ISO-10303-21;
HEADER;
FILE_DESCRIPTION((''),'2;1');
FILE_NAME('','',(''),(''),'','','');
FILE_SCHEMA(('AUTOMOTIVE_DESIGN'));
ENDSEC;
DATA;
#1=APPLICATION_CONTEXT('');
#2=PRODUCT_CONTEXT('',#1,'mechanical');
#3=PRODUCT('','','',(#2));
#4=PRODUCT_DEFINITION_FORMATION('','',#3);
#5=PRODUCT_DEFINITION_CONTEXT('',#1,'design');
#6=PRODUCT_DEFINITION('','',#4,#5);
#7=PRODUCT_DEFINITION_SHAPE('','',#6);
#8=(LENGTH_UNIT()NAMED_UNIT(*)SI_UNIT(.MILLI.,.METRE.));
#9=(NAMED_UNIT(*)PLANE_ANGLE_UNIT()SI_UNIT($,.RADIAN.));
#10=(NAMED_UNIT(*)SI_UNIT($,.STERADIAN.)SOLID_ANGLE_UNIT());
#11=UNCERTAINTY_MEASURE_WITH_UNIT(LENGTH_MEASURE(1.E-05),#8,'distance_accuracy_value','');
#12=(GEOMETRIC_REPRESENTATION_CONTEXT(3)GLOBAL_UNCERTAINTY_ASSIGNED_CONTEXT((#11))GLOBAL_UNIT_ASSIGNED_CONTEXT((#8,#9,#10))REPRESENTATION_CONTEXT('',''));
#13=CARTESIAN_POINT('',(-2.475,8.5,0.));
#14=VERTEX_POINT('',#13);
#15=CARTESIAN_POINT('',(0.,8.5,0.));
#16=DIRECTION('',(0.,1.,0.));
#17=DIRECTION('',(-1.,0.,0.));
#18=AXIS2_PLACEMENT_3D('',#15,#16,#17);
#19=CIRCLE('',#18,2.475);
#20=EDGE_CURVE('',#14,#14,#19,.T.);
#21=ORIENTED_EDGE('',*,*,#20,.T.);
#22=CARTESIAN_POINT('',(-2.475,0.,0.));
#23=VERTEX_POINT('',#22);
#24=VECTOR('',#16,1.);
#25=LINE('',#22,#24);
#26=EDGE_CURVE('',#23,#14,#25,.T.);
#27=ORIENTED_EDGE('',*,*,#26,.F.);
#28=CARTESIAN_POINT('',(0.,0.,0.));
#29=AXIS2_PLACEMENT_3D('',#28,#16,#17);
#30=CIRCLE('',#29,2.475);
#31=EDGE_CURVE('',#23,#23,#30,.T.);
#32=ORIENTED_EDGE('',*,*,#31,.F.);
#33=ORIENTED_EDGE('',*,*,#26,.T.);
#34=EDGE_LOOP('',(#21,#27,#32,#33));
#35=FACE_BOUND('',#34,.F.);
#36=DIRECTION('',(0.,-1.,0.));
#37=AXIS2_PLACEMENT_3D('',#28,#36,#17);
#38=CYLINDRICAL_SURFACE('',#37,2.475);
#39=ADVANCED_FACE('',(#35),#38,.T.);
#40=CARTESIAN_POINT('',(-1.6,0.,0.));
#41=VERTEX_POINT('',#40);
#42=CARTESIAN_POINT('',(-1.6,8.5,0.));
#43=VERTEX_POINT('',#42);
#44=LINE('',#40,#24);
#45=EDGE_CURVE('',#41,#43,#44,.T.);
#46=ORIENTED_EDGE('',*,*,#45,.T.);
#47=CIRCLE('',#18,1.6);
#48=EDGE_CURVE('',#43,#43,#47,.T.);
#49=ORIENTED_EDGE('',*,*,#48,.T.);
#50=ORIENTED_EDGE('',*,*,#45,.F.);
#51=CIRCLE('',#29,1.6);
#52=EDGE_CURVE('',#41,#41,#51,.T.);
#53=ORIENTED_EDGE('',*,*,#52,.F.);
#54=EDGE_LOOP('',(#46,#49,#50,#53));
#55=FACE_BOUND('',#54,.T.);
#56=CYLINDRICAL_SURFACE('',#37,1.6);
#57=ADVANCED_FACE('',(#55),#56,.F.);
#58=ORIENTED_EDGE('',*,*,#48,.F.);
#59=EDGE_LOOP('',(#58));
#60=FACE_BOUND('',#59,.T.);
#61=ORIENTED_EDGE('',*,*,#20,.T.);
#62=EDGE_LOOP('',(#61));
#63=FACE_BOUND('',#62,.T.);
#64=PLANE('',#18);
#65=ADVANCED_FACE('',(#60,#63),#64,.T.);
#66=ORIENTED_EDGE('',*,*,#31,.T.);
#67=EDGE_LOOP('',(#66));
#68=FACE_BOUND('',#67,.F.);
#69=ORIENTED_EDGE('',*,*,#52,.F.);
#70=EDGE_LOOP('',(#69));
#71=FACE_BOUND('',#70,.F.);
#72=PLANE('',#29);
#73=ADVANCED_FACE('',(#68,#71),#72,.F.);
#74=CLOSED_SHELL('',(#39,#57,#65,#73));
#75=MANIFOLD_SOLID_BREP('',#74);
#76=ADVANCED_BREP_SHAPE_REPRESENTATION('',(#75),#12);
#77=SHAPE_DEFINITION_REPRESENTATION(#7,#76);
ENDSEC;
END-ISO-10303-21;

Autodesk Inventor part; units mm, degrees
ref_plane "YZ Plane" through (0, 0, 0) normal (1, 0, 0) x (0, 1, 0)
ref_plane "XZ Plane" through (0, 0, 0) normal (0, 1, 0) x (-1, 0, 0)
ref_plane "XY Plane" through (0, 0, 0) normal (0, 0, 1) x (1, 0, 0)
sketch "Эскиз1" plane through (0, 0, 0) normal (0, 1, 0) x (-1, 0, 0)
  circle A0 centre (0, 0) radius 2.475
  circle A1 centre (0, 0) radius 1.6
  dimension "d0" = 4.95
  dimension "d1" = 3.2
extrude "Выдавливание1" add sketch "Эскиз1" along normal blind 8.5
properties part number "втулка"
